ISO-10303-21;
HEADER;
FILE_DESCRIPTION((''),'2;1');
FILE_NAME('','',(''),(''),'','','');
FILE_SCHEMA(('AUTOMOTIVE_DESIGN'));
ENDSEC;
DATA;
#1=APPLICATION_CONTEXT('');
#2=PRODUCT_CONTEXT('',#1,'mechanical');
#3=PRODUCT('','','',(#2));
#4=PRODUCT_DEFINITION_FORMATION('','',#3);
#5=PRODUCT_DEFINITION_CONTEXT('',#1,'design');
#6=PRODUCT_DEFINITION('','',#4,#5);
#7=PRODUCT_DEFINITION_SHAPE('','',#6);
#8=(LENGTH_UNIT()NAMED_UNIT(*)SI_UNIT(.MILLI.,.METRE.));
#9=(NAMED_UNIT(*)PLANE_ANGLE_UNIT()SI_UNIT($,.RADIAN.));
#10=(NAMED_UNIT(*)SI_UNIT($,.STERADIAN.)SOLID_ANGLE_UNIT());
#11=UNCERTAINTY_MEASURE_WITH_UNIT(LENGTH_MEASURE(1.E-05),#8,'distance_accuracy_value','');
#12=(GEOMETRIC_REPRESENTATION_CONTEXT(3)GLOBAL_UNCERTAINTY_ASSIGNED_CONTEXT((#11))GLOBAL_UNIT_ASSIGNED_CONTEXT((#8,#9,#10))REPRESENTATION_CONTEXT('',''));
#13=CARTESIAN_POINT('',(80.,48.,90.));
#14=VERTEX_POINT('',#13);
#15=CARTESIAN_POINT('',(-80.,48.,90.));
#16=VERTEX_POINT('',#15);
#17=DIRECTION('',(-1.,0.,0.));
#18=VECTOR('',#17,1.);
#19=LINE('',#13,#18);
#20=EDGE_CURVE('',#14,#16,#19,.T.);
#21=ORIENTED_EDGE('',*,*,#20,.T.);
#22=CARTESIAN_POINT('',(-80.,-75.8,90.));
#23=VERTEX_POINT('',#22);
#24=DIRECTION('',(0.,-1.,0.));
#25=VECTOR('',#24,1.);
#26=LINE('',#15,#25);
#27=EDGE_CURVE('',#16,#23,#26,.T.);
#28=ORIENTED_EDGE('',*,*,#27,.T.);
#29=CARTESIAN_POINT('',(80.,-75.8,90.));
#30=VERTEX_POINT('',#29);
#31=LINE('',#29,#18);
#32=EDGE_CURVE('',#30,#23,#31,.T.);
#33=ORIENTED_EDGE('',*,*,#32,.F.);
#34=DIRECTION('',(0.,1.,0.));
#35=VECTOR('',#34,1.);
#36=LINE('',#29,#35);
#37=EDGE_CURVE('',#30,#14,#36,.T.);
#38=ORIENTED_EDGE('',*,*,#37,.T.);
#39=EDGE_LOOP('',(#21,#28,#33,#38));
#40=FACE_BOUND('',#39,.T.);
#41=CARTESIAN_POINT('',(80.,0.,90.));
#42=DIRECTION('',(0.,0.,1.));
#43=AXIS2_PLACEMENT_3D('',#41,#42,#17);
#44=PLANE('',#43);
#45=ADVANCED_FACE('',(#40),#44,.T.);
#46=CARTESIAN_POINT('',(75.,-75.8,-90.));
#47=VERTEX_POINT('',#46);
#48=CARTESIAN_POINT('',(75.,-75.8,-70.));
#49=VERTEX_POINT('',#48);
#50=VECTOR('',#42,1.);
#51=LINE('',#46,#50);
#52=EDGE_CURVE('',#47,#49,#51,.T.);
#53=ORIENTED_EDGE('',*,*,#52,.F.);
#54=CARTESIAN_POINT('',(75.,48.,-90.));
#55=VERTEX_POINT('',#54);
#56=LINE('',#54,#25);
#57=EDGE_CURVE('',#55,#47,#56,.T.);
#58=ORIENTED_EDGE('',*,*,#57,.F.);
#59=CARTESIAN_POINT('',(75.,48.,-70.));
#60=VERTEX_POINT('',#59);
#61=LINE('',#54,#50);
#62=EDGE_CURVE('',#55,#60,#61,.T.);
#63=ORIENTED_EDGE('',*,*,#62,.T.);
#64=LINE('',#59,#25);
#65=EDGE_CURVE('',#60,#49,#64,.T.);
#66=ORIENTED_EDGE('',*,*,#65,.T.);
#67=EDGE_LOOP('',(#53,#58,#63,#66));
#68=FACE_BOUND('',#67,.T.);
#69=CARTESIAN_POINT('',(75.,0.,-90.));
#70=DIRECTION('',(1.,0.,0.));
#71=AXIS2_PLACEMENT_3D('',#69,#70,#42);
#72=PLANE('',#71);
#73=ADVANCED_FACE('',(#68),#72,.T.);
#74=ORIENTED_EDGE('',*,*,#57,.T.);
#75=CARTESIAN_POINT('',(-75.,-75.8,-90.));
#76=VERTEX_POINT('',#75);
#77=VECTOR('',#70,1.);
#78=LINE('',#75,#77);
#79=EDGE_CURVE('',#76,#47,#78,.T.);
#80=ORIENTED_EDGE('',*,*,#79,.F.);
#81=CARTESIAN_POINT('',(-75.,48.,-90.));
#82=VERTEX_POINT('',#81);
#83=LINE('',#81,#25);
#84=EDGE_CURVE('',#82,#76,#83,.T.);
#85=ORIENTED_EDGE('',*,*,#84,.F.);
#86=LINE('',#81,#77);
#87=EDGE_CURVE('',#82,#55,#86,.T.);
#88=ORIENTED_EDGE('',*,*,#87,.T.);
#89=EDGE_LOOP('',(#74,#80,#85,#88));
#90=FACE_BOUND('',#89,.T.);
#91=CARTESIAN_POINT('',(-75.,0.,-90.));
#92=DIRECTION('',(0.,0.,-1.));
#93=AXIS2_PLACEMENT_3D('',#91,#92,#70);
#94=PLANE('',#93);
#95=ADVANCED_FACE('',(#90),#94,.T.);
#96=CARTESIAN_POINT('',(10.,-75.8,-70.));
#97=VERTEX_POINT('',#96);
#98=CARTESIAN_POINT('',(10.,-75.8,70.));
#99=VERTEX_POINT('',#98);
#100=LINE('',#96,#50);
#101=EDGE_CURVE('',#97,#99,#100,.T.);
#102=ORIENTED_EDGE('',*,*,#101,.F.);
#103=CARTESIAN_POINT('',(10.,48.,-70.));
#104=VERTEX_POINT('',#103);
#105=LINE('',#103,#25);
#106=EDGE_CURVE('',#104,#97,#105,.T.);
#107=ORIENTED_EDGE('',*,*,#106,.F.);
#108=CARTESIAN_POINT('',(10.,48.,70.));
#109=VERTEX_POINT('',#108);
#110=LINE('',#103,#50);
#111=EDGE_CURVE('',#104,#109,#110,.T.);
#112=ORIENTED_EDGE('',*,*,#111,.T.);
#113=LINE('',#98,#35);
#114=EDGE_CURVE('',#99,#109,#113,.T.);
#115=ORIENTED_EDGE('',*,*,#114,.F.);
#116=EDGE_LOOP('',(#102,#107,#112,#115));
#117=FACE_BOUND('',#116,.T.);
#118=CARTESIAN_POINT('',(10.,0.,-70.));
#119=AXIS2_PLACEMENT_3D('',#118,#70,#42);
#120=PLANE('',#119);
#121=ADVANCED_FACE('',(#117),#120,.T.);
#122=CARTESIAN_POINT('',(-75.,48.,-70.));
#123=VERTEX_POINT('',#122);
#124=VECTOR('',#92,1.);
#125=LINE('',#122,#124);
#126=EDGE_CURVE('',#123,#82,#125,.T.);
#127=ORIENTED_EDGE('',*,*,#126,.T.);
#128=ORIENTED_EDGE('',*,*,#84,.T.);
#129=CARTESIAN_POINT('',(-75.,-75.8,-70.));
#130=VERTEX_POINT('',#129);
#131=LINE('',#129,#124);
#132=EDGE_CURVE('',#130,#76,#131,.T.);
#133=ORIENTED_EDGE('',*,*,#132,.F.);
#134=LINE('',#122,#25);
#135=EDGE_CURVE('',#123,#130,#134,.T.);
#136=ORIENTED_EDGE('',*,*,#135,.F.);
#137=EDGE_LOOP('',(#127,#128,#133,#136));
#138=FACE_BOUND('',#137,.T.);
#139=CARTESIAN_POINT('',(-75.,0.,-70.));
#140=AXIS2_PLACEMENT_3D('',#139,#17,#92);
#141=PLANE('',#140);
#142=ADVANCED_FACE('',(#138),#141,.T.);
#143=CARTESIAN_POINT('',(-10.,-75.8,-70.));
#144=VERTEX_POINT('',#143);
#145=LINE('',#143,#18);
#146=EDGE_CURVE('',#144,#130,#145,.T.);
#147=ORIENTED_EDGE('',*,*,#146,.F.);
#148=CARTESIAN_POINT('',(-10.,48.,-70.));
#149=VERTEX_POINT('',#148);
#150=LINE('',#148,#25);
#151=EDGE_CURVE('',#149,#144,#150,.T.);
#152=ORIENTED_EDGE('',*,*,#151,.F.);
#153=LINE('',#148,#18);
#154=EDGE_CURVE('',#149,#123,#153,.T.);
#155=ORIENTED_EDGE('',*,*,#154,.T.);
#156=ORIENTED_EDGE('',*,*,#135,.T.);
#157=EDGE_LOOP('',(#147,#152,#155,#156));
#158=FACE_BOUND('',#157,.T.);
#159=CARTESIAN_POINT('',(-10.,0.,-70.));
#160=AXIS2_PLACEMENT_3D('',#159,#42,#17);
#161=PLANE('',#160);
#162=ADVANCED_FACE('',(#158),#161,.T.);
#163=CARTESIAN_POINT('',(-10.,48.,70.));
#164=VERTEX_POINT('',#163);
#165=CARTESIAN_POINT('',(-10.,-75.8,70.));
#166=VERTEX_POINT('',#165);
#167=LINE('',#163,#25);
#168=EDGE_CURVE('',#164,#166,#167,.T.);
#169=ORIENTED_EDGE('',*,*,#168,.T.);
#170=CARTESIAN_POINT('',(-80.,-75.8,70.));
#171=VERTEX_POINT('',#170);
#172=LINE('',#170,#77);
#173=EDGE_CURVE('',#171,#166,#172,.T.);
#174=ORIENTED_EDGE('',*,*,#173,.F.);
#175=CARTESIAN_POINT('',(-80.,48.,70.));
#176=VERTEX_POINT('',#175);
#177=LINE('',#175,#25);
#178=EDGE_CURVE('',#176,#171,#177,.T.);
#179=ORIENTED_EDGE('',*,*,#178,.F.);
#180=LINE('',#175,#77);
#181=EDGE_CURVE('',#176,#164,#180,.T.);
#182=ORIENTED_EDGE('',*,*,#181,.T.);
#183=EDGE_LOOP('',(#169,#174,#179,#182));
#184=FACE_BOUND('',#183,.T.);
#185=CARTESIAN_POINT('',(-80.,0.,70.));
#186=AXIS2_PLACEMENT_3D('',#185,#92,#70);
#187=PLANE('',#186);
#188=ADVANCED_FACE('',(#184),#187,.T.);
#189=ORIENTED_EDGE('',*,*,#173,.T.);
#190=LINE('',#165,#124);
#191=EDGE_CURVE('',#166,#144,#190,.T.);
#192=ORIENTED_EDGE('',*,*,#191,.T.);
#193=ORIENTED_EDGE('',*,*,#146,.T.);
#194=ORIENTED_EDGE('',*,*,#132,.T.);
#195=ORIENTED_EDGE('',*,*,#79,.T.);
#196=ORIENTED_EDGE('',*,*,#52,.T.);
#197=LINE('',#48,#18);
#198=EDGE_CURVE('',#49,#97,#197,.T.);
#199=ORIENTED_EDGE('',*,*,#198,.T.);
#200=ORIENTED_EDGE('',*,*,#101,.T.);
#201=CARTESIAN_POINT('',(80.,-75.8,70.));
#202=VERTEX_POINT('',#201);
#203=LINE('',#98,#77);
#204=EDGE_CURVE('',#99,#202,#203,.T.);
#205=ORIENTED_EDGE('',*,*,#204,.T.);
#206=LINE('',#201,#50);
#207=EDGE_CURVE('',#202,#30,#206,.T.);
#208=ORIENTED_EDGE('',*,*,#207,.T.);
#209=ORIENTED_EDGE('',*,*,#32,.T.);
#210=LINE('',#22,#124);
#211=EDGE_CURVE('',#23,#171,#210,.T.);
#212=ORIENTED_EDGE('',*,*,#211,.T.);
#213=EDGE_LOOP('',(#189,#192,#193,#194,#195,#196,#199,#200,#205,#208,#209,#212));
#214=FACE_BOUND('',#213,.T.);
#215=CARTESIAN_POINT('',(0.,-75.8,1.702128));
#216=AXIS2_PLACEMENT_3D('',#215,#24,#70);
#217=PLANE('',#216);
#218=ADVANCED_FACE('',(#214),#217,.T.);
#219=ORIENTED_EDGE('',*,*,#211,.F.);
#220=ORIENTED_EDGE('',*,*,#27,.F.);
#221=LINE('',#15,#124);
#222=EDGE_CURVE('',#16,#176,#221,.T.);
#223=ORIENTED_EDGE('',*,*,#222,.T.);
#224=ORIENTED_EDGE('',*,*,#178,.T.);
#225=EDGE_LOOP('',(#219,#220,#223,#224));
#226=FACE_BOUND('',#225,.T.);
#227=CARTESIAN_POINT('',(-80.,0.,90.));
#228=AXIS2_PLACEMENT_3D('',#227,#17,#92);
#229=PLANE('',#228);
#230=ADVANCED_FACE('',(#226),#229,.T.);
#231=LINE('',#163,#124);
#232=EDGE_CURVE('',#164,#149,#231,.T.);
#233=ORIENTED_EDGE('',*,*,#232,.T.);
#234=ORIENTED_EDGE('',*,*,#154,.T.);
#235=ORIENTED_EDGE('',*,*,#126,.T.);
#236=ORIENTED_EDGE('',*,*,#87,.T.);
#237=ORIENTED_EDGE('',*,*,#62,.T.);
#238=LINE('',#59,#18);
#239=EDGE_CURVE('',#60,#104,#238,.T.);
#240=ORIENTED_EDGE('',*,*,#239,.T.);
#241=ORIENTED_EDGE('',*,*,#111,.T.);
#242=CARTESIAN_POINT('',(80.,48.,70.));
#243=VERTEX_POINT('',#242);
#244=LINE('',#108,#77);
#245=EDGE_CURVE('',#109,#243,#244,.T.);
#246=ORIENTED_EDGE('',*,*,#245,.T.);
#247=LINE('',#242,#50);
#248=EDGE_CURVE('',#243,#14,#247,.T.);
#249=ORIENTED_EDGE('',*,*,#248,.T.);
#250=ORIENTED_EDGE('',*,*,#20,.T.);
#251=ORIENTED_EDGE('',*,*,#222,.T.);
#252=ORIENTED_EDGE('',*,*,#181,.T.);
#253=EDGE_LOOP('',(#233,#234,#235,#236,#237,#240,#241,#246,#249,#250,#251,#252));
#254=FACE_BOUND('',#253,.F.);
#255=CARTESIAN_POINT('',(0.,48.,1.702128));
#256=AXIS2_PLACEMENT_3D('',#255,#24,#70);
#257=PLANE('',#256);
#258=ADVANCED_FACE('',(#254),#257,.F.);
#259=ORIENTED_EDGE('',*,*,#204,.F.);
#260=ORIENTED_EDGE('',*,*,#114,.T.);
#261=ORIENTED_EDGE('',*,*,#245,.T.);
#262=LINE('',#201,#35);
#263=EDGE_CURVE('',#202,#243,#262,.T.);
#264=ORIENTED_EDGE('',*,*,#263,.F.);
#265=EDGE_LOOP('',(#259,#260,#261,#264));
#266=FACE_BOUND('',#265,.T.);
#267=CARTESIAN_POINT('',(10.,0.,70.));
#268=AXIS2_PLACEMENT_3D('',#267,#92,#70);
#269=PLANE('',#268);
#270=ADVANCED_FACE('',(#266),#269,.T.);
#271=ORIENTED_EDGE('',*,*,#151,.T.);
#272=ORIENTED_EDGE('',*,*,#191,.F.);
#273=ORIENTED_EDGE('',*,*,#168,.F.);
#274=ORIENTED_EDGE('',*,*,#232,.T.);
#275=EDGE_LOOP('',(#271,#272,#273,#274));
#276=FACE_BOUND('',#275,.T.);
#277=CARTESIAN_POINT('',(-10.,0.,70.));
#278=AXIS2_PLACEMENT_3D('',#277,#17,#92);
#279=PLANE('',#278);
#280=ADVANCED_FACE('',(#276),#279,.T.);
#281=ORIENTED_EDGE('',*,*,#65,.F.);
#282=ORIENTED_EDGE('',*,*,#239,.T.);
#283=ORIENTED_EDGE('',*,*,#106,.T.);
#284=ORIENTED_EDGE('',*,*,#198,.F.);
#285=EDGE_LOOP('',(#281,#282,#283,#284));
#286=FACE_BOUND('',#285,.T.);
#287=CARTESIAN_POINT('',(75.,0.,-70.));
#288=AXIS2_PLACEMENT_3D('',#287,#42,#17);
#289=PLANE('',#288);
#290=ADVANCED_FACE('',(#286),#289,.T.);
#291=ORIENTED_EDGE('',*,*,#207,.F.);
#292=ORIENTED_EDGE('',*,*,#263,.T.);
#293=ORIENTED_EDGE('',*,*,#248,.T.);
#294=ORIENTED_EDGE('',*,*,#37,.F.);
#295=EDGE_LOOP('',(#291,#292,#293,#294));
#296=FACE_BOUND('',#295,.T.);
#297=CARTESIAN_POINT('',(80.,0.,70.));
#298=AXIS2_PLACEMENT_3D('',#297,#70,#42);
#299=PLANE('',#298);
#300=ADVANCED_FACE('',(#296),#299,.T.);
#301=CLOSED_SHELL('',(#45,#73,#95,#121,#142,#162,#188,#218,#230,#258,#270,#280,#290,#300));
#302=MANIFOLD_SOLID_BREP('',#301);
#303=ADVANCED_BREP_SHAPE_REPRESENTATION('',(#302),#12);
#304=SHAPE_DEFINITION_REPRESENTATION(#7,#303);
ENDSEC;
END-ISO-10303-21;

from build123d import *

# Parameters (mm, degrees)
F1_DEPTH = 75.8
F2_DEPTH = 48


with BuildPart() as f1:
    # F0 (on Front) → F1 (new body)
    with BuildSketch(Plane.XZ):
        Polygon((80, 90), (-80, 90), (-80, 70), (-10, 70), (-10, -70), (-75, -70), (-75, -90), (75, -90), (75, -70), (10, -70), (10, 70), (80, 70), align=None)
    extrude(amount=F1_DEPTH)

    # F0 (on Front) → F2 (join, symmetric)
    with BuildSketch(Plane.XZ):
        Polygon((80, 90), (-80, 90), (-80, 70), (-10, 70), (-10, -70), (-75, -70), (-75, -90), (75, -90), (75, -70), (10, -70), (10, 70), (80, 70), align=None)
    extrude(amount=F2_DEPTH, both=True)


solid = f1.part
